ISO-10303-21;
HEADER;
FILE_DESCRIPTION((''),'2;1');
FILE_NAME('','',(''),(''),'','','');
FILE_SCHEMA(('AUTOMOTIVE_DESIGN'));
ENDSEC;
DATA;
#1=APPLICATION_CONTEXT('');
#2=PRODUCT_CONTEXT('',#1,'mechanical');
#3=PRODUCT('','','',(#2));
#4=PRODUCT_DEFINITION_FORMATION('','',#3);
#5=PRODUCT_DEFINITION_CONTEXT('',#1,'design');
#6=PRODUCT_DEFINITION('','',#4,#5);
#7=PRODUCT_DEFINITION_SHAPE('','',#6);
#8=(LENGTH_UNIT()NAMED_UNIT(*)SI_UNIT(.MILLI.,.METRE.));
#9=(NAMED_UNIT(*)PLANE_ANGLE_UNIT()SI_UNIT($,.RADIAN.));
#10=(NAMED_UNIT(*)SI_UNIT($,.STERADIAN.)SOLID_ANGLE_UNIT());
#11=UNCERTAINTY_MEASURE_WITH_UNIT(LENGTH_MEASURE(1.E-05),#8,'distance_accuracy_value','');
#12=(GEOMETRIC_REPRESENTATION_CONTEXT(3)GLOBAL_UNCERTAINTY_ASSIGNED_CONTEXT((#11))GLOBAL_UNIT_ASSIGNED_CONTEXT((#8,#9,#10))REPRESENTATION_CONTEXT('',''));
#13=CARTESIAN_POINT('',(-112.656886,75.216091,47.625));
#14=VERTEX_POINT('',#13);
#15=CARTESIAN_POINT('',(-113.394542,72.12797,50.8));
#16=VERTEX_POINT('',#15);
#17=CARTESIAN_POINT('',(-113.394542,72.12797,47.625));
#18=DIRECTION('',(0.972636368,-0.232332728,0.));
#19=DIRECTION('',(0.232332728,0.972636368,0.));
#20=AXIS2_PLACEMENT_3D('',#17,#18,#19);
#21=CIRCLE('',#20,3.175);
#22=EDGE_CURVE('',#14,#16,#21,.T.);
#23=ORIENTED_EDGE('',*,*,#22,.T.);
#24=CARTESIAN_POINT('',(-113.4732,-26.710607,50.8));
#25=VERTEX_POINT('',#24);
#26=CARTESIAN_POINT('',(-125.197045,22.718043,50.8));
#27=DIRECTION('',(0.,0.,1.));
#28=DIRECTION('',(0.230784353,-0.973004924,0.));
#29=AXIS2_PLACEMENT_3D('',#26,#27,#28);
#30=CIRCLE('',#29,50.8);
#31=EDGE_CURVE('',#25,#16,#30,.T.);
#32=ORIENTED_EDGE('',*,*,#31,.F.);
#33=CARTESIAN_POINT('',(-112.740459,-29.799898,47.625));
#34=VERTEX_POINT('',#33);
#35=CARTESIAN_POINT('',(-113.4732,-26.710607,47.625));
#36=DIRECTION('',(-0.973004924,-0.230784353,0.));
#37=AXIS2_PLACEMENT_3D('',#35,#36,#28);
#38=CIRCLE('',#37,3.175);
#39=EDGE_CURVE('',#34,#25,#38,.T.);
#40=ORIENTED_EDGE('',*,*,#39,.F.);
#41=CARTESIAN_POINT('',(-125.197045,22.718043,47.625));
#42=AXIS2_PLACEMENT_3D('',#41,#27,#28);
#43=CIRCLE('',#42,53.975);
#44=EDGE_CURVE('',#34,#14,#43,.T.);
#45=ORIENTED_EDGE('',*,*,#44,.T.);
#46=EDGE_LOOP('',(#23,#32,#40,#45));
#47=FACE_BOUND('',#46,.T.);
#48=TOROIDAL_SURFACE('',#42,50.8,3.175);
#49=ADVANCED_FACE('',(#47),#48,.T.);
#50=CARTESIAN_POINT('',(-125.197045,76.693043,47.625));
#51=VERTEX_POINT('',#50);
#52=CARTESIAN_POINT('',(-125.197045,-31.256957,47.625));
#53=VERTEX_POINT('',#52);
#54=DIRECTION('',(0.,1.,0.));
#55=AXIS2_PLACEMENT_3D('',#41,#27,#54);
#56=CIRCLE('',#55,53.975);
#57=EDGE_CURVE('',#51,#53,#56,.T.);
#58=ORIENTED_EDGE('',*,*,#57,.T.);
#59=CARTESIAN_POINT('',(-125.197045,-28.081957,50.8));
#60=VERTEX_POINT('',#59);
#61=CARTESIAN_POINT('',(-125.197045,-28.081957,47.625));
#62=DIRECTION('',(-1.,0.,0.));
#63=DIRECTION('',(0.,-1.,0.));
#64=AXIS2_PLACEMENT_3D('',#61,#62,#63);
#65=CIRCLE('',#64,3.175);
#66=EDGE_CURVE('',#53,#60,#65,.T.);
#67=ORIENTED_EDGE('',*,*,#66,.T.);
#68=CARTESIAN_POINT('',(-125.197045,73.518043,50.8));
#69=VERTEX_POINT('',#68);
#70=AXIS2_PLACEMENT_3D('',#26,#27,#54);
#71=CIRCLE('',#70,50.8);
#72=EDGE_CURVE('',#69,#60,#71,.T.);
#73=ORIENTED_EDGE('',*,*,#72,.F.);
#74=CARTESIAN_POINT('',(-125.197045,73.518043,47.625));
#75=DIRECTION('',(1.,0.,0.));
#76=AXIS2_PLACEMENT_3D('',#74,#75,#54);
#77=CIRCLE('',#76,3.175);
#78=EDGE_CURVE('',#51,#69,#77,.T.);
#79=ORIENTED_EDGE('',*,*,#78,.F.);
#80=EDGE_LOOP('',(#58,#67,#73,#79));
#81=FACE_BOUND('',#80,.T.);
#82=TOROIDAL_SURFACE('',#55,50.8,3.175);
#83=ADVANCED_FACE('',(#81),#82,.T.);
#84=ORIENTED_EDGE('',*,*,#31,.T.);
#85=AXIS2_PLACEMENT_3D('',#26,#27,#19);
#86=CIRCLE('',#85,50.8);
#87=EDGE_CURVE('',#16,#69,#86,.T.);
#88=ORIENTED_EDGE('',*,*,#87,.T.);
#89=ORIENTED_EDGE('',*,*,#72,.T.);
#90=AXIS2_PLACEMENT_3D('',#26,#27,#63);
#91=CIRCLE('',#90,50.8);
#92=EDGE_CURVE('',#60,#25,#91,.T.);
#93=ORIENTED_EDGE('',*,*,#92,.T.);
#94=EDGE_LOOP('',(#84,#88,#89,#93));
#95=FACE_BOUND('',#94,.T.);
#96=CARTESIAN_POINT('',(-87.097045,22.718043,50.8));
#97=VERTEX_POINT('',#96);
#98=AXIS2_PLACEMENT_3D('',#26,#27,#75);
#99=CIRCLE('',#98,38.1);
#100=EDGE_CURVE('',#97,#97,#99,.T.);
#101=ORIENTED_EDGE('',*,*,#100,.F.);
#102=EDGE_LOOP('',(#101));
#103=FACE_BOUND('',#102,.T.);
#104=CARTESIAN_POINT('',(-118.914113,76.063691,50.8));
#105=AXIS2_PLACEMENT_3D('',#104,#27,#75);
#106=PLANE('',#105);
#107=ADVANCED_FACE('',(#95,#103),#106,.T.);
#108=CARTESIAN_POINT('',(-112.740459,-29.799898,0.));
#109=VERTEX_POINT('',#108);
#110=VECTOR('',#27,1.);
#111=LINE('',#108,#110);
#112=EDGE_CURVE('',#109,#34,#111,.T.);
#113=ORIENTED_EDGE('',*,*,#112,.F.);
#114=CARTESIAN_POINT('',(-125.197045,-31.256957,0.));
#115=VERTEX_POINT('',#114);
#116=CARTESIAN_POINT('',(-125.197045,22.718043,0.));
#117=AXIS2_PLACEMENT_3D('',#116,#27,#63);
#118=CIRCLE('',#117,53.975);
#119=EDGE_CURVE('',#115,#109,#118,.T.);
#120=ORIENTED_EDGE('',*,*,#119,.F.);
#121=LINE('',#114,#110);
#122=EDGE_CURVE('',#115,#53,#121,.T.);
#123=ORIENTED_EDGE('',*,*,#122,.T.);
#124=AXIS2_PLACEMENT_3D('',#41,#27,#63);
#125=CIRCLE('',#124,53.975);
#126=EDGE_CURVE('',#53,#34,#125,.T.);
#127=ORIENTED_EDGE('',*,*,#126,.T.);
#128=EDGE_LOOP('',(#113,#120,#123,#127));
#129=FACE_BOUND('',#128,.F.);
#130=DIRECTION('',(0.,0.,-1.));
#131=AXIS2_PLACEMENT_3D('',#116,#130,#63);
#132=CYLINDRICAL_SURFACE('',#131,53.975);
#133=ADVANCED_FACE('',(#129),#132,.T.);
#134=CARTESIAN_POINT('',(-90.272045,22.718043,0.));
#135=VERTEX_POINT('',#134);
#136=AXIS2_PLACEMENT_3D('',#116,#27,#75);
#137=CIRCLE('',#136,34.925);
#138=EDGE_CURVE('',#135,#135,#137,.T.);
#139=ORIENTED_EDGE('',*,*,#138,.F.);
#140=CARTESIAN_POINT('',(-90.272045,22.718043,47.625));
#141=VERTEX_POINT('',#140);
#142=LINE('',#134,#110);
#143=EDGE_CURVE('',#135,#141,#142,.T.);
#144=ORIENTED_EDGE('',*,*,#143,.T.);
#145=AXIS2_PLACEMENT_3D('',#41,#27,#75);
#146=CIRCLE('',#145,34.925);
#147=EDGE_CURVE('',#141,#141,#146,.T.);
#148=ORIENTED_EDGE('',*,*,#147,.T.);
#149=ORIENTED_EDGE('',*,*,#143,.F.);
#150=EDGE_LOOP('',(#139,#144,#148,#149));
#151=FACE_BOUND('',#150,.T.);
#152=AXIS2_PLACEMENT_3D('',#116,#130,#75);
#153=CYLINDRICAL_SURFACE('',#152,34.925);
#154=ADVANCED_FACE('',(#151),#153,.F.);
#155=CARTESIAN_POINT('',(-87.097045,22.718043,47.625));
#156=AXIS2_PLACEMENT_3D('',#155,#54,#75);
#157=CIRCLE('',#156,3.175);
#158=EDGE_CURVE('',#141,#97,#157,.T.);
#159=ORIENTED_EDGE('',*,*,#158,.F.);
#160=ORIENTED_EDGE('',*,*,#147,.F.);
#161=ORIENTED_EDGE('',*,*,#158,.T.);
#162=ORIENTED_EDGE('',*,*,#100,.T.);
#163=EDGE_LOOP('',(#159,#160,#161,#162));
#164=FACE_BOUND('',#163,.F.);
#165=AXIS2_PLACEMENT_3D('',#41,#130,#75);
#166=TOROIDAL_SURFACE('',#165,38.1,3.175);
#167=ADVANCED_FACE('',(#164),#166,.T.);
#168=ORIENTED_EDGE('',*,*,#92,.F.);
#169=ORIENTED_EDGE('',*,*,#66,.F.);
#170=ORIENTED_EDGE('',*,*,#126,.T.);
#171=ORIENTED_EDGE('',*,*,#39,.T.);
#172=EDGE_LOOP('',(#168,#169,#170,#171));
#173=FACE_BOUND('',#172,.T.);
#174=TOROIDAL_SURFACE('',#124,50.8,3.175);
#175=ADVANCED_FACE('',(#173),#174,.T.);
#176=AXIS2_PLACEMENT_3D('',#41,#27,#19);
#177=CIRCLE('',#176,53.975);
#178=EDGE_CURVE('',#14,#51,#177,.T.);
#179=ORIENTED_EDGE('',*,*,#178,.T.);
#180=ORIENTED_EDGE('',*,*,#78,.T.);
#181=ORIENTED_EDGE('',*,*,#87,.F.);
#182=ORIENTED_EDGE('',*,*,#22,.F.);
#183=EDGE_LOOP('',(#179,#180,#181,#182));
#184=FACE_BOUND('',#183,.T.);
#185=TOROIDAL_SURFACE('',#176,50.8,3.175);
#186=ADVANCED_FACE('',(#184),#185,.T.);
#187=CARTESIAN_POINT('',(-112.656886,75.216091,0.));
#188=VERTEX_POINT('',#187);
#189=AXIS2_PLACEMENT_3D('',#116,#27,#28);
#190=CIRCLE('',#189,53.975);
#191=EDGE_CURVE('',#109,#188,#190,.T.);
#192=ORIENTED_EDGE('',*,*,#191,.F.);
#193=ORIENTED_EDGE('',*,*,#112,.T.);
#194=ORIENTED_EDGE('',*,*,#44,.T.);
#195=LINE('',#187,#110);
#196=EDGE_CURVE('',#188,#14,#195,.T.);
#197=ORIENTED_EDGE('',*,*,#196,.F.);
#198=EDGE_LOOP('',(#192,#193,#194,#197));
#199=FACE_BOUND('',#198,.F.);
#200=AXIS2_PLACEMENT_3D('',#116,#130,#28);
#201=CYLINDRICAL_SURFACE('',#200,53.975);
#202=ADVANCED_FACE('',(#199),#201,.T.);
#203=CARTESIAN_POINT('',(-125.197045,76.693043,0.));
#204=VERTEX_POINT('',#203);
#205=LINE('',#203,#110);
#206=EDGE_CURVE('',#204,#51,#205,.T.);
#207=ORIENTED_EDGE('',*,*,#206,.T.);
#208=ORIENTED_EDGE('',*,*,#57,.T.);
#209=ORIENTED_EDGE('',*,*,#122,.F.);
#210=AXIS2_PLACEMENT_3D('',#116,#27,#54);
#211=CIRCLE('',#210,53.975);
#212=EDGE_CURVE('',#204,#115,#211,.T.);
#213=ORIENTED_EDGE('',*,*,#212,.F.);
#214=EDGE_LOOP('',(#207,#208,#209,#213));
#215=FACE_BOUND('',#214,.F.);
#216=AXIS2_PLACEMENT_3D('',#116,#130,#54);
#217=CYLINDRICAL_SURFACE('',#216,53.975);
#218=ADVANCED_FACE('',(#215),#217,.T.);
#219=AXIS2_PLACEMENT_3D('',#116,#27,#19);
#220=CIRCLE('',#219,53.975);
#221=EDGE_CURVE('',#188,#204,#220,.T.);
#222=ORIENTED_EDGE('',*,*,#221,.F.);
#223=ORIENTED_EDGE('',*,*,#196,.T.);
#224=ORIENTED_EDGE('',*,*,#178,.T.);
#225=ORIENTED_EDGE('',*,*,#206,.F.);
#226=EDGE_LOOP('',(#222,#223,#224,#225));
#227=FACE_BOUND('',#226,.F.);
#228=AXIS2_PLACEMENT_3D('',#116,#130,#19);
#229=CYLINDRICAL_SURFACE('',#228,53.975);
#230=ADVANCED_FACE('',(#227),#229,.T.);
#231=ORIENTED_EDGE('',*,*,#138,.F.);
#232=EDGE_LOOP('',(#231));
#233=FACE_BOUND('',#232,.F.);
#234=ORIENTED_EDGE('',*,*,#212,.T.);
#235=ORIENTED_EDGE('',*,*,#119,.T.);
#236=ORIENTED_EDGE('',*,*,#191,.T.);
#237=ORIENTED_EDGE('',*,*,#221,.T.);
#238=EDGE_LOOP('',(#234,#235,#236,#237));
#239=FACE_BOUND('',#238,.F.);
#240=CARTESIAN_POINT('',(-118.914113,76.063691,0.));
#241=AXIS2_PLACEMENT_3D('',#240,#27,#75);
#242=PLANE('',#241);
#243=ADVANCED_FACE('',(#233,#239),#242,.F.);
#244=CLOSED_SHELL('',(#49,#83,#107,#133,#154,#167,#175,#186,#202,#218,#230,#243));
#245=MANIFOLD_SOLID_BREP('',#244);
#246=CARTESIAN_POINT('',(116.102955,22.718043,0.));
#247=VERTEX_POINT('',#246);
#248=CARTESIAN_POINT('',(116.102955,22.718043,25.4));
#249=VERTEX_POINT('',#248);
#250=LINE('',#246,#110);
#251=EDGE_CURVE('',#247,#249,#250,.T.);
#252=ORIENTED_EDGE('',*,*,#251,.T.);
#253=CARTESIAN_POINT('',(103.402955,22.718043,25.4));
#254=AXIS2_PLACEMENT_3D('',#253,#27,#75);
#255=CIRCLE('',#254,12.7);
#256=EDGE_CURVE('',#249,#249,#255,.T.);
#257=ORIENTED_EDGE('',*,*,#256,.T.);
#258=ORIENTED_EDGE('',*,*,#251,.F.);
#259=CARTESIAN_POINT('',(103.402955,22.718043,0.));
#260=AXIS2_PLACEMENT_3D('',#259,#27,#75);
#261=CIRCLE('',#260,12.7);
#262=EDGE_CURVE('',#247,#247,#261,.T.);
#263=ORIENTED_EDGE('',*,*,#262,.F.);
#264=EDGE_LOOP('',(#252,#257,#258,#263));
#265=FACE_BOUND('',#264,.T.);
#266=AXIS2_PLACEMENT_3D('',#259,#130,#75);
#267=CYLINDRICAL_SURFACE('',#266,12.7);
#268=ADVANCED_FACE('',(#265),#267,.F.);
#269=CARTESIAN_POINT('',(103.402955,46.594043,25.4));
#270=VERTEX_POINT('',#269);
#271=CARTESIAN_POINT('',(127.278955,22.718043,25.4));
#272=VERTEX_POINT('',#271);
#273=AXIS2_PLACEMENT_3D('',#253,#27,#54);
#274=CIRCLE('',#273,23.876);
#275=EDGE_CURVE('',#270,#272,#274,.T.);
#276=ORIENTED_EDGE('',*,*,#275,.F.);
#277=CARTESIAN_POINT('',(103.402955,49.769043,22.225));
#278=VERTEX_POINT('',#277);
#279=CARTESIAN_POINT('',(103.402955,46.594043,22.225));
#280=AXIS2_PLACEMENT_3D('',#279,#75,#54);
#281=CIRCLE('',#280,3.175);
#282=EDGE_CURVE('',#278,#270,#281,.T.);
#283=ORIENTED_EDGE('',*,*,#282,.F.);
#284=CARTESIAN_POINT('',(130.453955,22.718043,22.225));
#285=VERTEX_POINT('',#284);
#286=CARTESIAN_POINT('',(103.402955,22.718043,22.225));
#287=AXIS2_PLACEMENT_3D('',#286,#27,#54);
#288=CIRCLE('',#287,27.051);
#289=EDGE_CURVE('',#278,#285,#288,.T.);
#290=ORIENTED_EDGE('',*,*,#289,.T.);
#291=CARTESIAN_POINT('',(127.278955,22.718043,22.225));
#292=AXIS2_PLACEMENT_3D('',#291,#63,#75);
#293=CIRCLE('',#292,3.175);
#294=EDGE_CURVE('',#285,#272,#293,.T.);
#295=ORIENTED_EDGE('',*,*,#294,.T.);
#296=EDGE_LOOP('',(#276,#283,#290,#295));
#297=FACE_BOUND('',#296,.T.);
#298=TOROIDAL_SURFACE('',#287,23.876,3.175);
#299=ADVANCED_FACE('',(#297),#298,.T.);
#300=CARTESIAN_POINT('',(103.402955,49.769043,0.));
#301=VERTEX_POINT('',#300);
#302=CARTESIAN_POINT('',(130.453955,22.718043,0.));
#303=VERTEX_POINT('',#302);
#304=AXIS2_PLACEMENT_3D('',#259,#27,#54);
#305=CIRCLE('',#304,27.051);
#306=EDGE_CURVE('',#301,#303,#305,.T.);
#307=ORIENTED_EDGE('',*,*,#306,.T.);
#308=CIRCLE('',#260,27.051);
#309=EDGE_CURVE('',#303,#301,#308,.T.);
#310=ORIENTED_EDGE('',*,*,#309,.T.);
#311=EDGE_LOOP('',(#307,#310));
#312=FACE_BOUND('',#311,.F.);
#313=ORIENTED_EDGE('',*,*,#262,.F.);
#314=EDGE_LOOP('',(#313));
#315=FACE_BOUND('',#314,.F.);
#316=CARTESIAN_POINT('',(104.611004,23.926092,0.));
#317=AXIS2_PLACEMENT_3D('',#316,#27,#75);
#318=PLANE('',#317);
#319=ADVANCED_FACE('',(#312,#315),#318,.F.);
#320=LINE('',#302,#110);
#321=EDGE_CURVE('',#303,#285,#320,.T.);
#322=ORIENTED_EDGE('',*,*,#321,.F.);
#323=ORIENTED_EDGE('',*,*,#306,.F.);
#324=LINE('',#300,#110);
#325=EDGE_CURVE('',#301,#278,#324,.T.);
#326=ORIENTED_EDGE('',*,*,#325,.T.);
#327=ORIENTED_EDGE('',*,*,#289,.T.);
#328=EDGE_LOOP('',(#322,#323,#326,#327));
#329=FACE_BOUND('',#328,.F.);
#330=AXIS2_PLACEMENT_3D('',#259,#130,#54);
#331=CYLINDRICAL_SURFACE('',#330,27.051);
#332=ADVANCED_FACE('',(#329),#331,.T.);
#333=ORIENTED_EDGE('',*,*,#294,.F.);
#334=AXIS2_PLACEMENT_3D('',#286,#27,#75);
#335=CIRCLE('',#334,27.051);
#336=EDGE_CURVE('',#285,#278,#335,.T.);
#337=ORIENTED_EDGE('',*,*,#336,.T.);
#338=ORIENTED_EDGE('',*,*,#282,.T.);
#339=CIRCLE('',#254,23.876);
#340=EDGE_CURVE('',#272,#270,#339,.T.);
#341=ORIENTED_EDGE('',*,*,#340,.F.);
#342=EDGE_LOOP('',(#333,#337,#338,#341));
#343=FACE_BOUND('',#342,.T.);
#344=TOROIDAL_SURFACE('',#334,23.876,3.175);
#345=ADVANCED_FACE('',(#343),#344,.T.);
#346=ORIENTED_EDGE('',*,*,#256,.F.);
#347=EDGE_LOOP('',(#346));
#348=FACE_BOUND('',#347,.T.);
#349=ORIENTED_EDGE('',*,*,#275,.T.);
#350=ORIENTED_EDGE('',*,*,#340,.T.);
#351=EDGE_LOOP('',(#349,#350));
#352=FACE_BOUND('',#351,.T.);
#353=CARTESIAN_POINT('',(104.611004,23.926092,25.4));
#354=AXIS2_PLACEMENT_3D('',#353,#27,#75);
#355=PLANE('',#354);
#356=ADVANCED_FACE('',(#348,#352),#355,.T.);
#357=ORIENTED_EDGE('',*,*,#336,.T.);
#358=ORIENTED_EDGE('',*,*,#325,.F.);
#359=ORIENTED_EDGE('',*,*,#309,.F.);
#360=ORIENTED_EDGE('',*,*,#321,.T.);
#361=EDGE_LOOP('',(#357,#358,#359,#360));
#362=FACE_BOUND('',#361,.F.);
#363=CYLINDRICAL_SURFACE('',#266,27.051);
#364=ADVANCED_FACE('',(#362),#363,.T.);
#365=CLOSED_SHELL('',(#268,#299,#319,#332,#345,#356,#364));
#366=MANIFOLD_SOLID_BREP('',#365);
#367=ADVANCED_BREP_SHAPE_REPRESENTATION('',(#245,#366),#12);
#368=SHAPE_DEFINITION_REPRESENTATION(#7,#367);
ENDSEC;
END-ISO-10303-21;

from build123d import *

# Parameters (mm, degrees)
F0_R     = 34.925
F1_DEPTH = 50.8
F0_R_2   = 12.7
F2_DEPTH = 25.4
F3_R     = 3.175
F4_R     = 3.175


with BuildPart() as f1:
    # F0 (on Top) → F1 (new body)
    with BuildSketch(Plane.XY):
        with BuildLine():
            ThreePointArc((-112.6568856922, 75.2160908667), (-118.8836269246, 76.3225332339), (-125.1970446721, 76.6930429243))
            Line((-125.1970446721, 76.6930429243), (-112.6568856922, 75.2160908667))
        make_face()
        with BuildLine():
            Line((-112.740459212, -29.7998978547), (-125.1970446721, -31.2569570757))
            ThreePointArc((-125.1970446721, -31.2569570757), (-118.9262882804, -30.8914547349), (-112.740459212, -29.7998978547))
        make_face()
        with BuildLine():
            Line((-112.6568856922, 75.2160908667), (-125.1970446721, 76.6930429243))
            ThreePointArc((-125.1970446721, 76.6930429243), (-179.1720446721, 22.7180429243), (-125.1970446721, -31.2569570757))
            Line((-125.1970446721, -31.2569570757), (-112.740459212, -29.7998978547))
            ThreePointArc((-112.740459212, -29.7998978547), (-82.8553109735, -10.7555020387), (-71.2220446721, 22.7180429243))
            ThreePointArc((-71.2220446721, 22.7180429243), (-82.8286855704, 56.1578810225), (-112.6568856922, 75.2160908667))
        make_face()
        with Locations((-125.1970446721, 22.7180429243)):
            Circle(F0_R, mode=Mode.SUBTRACT)
    extrude(amount=F1_DEPTH)

    # F3
    f3_edges = [f1.edges().sort_by_distance(p)[0] for p in [
        (-125.197045, -31.256957, 50.8),
        (-160.122045, 22.718043, 50.8),
    ]]
    fillet(f3_edges, radius=F3_R)


with BuildPart() as f2:
    # F0 (on Top) → F2 (new body)
    with BuildSketch(Plane.XY):
        with BuildLine():
            ThreePointArc((130.4539553279, 22.7180429243), (122.5309008658, 41.8459884622), (103.4029553279, 49.7690429243))
            ThreePointArc((103.4029553279, 49.7690429243), (84.27500979, 3.5900973865), (130.4539553279, 22.7180429243))
        make_face()
        with Locations((103.4029553279, 22.7180429243)):
            Circle(F0_R_2, mode=Mode.SUBTRACT)
    extrude(amount=F2_DEPTH)

    # F4
    f4_edges = [f2.edges().sort_by_distance(p)[0] for p in [
        (76.351955, 22.718043, 25.4),
    ]]
    fillet(f4_edges, radius=F4_R)


solid = Compound([f1.part, f2.part])
